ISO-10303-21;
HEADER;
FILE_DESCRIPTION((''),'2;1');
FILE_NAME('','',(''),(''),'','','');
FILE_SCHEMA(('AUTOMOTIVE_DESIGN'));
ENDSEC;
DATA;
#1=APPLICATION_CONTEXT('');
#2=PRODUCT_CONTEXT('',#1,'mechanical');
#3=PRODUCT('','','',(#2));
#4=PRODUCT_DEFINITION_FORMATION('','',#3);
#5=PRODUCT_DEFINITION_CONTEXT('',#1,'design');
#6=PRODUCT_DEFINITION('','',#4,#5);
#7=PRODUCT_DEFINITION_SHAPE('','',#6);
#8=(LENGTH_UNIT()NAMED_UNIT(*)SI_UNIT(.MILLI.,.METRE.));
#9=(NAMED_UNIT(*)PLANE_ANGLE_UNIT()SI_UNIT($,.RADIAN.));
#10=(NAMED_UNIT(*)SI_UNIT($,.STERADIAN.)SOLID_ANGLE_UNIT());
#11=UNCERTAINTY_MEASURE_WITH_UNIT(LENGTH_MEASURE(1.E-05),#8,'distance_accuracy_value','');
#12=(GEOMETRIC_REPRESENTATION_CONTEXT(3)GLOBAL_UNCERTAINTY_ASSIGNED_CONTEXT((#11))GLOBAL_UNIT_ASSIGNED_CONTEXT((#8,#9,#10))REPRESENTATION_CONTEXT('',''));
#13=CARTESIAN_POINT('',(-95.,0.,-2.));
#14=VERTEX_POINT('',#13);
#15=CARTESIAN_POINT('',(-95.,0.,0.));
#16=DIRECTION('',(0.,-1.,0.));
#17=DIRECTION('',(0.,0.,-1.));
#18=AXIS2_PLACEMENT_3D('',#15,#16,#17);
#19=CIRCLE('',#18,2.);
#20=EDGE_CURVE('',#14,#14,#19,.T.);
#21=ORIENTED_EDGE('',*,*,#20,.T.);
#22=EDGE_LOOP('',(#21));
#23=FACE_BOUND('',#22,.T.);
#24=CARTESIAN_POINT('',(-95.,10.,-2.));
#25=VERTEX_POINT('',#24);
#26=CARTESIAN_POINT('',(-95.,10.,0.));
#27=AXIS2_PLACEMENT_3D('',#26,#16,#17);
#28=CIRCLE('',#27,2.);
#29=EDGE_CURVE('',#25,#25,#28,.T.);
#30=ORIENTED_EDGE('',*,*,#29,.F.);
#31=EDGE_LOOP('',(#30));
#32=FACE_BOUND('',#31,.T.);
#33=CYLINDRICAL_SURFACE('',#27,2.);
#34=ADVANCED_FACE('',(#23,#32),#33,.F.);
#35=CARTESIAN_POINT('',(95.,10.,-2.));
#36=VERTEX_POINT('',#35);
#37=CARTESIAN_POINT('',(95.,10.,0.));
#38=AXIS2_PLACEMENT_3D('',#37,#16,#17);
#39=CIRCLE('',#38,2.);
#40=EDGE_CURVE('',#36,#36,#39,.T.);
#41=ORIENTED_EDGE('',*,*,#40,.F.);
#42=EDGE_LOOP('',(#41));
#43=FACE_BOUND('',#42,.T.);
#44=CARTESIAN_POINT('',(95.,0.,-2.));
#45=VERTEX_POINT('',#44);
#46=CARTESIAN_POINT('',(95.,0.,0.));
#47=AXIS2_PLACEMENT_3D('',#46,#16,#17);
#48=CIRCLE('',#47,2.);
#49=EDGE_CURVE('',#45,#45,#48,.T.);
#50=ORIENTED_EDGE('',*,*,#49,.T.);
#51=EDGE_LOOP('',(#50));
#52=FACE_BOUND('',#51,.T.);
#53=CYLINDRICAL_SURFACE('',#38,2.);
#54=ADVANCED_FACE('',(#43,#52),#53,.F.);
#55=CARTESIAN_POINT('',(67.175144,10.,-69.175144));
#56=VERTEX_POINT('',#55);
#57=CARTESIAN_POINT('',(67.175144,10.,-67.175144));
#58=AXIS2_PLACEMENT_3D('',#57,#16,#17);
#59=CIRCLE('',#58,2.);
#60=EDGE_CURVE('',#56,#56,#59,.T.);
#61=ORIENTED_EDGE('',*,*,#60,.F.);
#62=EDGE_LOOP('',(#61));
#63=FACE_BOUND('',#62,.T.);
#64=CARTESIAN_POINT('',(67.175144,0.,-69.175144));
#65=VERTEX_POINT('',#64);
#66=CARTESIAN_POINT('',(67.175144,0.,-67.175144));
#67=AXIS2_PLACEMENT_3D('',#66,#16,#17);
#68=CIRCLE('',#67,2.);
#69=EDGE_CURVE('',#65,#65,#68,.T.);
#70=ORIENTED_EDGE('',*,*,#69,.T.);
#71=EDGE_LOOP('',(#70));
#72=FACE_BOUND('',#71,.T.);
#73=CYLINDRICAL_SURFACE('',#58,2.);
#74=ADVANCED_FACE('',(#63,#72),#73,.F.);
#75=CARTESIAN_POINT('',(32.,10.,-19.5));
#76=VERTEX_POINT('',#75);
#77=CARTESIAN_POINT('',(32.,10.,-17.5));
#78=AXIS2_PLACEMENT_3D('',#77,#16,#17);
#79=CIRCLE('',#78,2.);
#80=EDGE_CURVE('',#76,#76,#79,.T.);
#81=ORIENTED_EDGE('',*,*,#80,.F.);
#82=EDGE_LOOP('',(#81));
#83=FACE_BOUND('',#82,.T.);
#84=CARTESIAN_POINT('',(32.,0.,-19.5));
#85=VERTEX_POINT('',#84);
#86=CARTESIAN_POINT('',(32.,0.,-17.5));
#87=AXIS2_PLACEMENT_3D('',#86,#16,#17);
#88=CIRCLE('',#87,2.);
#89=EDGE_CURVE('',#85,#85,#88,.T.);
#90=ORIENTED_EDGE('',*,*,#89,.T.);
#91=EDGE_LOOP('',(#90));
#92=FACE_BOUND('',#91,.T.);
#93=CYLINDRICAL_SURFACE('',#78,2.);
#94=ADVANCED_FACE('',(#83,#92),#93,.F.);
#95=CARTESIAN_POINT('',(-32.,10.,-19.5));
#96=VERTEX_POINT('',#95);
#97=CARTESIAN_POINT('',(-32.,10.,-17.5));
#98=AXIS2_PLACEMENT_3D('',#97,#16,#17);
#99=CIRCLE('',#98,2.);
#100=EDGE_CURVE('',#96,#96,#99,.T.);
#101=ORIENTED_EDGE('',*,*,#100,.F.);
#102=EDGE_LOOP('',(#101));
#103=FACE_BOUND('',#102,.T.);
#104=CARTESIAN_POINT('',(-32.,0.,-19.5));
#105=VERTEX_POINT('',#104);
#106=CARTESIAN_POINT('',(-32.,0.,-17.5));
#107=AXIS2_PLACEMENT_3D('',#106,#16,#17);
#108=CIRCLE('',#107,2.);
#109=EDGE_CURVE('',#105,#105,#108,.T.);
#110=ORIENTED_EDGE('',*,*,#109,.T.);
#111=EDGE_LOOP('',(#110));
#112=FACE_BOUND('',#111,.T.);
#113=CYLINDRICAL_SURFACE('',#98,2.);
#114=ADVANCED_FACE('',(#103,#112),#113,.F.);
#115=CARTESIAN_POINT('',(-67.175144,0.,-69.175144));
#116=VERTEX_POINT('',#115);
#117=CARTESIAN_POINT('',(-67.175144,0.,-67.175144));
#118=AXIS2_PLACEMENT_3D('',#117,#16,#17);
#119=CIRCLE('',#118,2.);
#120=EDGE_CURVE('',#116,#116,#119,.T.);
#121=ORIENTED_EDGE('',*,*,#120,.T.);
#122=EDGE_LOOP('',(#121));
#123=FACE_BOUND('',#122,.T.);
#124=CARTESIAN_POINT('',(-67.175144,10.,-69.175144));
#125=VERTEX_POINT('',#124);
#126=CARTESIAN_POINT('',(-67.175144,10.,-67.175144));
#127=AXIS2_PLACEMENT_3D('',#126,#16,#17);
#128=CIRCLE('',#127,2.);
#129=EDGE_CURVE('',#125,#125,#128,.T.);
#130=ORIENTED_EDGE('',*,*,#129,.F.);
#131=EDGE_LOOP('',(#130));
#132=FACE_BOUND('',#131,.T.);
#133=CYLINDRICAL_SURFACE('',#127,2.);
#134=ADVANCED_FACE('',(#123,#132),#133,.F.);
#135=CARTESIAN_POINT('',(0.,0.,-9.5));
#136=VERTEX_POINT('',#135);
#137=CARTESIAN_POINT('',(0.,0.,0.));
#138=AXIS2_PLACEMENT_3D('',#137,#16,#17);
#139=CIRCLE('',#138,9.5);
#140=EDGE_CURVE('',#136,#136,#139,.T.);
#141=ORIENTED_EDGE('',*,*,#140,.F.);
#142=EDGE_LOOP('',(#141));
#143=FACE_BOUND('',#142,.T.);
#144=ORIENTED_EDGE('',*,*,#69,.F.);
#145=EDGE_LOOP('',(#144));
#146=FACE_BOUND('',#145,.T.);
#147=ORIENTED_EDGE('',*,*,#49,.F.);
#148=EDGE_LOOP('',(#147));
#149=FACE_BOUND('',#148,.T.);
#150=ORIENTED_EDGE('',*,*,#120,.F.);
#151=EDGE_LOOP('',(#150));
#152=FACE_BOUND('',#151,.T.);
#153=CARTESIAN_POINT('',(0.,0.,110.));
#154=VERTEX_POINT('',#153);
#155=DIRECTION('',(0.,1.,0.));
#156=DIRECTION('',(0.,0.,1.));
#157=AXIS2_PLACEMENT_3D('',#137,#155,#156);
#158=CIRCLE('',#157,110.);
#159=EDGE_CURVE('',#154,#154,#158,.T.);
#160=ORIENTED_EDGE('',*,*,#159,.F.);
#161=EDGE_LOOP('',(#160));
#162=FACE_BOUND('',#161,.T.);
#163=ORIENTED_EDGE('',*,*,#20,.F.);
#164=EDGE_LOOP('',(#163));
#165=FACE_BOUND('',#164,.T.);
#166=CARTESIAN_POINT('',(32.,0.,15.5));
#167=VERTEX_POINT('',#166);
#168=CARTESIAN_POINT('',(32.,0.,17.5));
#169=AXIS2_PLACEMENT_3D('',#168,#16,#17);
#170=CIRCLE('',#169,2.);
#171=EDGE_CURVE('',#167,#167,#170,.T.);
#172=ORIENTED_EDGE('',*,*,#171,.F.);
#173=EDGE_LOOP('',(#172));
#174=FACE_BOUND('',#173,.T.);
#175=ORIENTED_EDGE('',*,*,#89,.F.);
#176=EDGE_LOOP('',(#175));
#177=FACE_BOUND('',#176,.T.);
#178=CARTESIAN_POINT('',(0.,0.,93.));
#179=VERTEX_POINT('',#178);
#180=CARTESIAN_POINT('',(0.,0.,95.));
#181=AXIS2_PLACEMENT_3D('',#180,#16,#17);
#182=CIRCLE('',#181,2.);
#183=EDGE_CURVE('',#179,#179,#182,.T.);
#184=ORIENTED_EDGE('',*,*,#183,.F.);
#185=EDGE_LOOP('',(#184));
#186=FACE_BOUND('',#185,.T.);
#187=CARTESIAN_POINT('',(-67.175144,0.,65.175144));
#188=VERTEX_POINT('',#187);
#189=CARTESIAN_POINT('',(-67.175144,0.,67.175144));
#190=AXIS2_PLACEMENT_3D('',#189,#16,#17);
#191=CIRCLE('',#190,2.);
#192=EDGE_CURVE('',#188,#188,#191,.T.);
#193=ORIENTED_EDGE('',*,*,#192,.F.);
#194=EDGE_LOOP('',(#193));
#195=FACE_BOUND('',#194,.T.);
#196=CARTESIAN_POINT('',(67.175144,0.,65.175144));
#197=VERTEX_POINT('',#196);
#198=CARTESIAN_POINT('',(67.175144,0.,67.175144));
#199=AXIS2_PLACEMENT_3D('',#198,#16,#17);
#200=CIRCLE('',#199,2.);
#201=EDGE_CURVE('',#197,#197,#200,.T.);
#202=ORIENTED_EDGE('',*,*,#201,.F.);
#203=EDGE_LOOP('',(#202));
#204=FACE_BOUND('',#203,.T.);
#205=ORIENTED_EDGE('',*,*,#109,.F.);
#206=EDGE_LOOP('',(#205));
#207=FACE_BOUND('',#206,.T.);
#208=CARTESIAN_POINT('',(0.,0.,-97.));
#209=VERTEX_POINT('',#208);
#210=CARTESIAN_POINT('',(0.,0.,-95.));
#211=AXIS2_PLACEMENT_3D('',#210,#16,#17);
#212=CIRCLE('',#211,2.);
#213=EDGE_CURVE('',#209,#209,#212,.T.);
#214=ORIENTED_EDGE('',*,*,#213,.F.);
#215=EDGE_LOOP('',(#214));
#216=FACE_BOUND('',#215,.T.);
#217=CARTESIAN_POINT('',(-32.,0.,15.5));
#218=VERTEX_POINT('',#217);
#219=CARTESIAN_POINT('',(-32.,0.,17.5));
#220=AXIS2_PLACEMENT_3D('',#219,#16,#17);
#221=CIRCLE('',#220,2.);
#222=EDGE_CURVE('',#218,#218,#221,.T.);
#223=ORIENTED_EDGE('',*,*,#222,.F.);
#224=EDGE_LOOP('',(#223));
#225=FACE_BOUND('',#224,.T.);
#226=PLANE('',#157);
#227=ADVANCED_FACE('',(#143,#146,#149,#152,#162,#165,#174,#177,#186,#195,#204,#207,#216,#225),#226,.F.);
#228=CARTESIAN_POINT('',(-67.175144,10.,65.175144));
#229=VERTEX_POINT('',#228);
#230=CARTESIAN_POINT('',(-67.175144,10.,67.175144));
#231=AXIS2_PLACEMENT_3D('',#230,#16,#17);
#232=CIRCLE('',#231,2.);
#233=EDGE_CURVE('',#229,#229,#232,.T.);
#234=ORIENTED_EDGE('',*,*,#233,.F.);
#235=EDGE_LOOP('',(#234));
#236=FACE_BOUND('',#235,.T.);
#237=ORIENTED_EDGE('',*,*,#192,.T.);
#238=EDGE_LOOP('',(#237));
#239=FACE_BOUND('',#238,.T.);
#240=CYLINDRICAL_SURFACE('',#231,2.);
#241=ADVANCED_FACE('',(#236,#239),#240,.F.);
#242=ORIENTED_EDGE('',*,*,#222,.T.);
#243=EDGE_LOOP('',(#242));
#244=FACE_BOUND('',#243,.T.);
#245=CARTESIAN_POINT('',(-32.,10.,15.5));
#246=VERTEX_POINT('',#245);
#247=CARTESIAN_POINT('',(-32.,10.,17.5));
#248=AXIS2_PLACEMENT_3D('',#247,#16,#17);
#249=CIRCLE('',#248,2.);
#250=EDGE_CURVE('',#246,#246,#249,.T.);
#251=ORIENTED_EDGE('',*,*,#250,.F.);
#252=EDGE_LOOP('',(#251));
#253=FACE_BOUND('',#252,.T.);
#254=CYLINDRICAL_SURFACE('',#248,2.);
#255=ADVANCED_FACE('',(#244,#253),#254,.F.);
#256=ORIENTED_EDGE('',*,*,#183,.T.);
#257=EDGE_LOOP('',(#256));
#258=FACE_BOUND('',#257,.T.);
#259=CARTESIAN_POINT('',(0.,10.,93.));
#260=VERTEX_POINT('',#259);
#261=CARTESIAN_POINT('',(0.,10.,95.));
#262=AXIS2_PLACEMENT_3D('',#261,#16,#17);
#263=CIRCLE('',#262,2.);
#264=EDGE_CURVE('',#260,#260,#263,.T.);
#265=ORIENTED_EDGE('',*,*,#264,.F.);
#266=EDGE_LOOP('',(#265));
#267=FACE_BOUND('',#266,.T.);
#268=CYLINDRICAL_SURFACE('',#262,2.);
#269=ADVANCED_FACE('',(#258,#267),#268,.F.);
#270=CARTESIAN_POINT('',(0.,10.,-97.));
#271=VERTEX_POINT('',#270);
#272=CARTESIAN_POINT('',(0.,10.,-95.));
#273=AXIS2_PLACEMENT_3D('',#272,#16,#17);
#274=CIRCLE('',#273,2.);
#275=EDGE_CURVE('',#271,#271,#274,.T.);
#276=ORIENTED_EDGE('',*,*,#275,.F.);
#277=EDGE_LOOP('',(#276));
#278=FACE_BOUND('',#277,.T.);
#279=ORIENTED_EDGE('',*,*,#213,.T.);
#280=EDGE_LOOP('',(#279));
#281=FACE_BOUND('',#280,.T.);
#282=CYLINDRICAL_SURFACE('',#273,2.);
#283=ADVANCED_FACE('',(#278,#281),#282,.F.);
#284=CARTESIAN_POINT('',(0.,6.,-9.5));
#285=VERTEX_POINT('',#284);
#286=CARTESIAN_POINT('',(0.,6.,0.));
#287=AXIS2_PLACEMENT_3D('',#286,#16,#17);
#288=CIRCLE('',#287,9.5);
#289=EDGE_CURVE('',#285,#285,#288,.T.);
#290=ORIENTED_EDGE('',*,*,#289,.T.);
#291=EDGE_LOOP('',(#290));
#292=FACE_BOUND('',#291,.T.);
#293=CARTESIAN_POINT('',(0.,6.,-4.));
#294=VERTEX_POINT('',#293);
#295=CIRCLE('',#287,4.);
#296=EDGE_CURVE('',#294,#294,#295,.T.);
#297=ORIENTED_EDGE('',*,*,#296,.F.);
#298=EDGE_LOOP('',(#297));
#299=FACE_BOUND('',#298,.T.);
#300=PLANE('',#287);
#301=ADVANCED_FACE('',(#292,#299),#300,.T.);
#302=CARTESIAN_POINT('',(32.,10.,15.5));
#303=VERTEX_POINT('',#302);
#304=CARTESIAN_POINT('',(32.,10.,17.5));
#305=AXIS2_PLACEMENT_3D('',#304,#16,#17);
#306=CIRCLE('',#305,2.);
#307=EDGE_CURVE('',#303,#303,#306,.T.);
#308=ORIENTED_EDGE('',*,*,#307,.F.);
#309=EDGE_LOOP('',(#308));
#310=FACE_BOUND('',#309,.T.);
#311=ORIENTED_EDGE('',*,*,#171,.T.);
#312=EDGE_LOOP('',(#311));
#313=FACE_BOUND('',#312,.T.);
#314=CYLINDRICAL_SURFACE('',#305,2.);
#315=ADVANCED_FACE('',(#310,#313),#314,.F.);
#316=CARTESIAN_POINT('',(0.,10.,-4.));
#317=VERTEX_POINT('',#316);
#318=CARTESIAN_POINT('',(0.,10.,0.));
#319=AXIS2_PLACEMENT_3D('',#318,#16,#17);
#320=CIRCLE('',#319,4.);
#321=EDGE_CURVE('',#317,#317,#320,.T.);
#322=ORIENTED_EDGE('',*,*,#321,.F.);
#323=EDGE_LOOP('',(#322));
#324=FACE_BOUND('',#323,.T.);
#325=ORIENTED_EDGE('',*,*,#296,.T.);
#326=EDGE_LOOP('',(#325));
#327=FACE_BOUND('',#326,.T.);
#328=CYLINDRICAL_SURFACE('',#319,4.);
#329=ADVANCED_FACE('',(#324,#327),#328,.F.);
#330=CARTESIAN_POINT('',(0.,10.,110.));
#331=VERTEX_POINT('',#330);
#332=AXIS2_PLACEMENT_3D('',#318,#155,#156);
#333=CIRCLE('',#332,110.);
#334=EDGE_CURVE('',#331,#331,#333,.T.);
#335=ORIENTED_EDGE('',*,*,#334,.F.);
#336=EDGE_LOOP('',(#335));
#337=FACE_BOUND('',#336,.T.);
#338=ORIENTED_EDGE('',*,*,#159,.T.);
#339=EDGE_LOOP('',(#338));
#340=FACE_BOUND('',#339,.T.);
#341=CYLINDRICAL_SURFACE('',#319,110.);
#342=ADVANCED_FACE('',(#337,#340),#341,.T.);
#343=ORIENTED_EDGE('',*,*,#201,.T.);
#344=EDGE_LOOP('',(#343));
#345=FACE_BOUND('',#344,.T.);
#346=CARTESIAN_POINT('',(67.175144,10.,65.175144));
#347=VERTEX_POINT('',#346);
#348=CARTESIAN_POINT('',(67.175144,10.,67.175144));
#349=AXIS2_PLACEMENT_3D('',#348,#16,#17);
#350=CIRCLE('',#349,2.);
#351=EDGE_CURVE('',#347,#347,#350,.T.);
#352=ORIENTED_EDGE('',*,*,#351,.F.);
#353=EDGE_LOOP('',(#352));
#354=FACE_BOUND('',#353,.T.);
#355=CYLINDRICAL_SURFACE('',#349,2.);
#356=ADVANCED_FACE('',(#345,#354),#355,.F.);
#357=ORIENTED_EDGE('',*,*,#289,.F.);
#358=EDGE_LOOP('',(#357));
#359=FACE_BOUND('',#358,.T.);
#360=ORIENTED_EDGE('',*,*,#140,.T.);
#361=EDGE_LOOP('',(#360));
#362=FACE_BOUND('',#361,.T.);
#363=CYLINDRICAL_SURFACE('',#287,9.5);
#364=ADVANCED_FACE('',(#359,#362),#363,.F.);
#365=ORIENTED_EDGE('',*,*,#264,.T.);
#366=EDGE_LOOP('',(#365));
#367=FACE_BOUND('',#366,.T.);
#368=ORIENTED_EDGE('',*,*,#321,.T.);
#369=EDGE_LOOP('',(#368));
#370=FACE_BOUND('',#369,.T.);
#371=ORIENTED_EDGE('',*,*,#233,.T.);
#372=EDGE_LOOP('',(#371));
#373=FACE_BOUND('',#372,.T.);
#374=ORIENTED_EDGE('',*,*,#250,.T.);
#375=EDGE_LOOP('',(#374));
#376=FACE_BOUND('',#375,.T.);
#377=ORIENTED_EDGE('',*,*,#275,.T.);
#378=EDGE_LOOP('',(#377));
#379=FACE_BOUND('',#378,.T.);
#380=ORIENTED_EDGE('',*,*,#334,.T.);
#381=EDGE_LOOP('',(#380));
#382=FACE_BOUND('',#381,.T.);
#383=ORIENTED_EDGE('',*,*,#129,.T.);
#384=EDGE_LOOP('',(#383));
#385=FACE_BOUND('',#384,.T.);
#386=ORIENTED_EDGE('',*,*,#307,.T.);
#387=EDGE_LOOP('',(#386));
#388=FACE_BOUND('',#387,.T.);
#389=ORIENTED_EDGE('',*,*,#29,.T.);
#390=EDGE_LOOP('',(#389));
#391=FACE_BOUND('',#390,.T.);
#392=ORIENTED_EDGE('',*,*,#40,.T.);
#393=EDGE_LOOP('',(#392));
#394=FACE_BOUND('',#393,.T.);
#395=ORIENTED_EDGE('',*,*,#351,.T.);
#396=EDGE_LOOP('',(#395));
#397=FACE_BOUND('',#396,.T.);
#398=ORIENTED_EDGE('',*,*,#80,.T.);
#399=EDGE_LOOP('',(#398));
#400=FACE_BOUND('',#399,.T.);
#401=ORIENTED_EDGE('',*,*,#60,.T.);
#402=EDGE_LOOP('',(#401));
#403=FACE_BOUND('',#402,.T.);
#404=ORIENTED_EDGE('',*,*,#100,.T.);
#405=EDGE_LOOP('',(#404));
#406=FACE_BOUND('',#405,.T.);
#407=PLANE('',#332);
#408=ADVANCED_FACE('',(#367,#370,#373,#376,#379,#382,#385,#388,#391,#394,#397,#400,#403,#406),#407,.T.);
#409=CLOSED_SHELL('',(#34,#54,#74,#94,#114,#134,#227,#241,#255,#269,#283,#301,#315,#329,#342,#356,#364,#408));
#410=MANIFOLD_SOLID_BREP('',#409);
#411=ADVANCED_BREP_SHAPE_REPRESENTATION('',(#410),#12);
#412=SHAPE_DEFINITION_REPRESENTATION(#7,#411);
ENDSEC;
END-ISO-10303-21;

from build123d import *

# Parameters (mm, degrees)
SKETCH2_R           = 110
BOSS_EXTRUDE2_DEPTH = 10
SKETCH4_R           = 9.5
CUT_EXTRUDE1_DEPTH  = 6
SKETCH6_R           = 4
CUT_EXTRUDE3_DEPTH  = 156.679157243
SKETCH7_R           = 2
CUT_EXTRUDE6_DEPTH  = 156.884572681
SKETCH8_R           = 2
CUT_EXTRUDE7_DEPTH  = 10


with BuildPart() as part:
    # Sketch2 → Boss-Extrude2 (new body)
    with BuildSketch(Plane(origin=(0, 0, 0), x_dir=(1, 0, 0), z_dir=(0, 1, 0))):
        with Locations(Location((0, 0, 0), (0, 0, 270))):
            Circle(SKETCH2_R)
    extrude(amount=BOSS_EXTRUDE2_DEPTH)

    # Sketch4 → Cut-Extrude1 (cut)
    with BuildSketch(Plane(origin=(0, 0, 0), x_dir=(-1, 0, 0), z_dir=(0, -1, 0))):
        with Locations(Location((0, 0, 0), (0, 0, 90))):
            Circle(SKETCH4_R)
    extrude(amount=-CUT_EXTRUDE1_DEPTH, mode=Mode.SUBTRACT)

    # Sketch6 → Cut-Extrude3 (cut, through all)
    with BuildSketch(Plane(origin=(0, 6, 0), x_dir=(-1, 0, 0), z_dir=(0, -1, 0))):
        with Locations(Location((0, 0, 0), (0, 0, 90))):
            Circle(SKETCH6_R)
    extrude(amount=-CUT_EXTRUDE3_DEPTH, mode=Mode.SUBTRACT)

    # Sketch7 → Cut-Extrude6 (cut, through all)
    with BuildSketch(Plane(origin=(0, 0, 0), x_dir=(-1, 0, 0), z_dir=(0, -1, 0))):
        with Locations(Location((32, -17.5, 0), (0, 0, 90))):
            Circle(SKETCH7_R)
        with Locations(Location((32, 17.5, 0), (0, 0, 90))):
            Circle(SKETCH7_R)
        with Locations(Location((-32, 17.5, 0), (0, 0, 90))):
            Circle(SKETCH7_R)
        with Locations(Location((-32, -17.5, 0), (0, 0, 90))):
            Circle(SKETCH7_R)
    extrude(amount=-CUT_EXTRUDE6_DEPTH, mode=Mode.SUBTRACT)

    # Sketch8 → Cut-Extrude7 (cut)
    with BuildSketch(Plane.XZ):
        with Locations(Location((0, 95, 0), (0, 0, 270))):
            Circle(SKETCH8_R)
        with Locations(Location((67.175144213, 67.175144213, 0), (0, 0, 270))):
            Circle(SKETCH8_R)
        with Locations(Location((95, 0, 0), (0, 0, 270))):
            Circle(SKETCH8_R)
        with Locations(Location((67.175144213, -67.175144213, 0), (0, 0, 270))):
            Circle(SKETCH8_R)
        with Locations(Location((0, -95, 0), (0, 0, 270))):
            Circle(SKETCH8_R)
        with Locations(Location((-67.175144213, -67.175144213, 0), (0, 0, 270))):
            Circle(SKETCH8_R)
        with Locations(Location((-95, 0, 0), (0, 0, 270))):
            Circle(SKETCH8_R)
        with Locations(Location((-67.175144213, 67.175144213, 0), (0, 0, 270))):
            Circle(SKETCH8_R)
    extrude(amount=-CUT_EXTRUDE7_DEPTH, mode=Mode.SUBTRACT)


solid = part.part
